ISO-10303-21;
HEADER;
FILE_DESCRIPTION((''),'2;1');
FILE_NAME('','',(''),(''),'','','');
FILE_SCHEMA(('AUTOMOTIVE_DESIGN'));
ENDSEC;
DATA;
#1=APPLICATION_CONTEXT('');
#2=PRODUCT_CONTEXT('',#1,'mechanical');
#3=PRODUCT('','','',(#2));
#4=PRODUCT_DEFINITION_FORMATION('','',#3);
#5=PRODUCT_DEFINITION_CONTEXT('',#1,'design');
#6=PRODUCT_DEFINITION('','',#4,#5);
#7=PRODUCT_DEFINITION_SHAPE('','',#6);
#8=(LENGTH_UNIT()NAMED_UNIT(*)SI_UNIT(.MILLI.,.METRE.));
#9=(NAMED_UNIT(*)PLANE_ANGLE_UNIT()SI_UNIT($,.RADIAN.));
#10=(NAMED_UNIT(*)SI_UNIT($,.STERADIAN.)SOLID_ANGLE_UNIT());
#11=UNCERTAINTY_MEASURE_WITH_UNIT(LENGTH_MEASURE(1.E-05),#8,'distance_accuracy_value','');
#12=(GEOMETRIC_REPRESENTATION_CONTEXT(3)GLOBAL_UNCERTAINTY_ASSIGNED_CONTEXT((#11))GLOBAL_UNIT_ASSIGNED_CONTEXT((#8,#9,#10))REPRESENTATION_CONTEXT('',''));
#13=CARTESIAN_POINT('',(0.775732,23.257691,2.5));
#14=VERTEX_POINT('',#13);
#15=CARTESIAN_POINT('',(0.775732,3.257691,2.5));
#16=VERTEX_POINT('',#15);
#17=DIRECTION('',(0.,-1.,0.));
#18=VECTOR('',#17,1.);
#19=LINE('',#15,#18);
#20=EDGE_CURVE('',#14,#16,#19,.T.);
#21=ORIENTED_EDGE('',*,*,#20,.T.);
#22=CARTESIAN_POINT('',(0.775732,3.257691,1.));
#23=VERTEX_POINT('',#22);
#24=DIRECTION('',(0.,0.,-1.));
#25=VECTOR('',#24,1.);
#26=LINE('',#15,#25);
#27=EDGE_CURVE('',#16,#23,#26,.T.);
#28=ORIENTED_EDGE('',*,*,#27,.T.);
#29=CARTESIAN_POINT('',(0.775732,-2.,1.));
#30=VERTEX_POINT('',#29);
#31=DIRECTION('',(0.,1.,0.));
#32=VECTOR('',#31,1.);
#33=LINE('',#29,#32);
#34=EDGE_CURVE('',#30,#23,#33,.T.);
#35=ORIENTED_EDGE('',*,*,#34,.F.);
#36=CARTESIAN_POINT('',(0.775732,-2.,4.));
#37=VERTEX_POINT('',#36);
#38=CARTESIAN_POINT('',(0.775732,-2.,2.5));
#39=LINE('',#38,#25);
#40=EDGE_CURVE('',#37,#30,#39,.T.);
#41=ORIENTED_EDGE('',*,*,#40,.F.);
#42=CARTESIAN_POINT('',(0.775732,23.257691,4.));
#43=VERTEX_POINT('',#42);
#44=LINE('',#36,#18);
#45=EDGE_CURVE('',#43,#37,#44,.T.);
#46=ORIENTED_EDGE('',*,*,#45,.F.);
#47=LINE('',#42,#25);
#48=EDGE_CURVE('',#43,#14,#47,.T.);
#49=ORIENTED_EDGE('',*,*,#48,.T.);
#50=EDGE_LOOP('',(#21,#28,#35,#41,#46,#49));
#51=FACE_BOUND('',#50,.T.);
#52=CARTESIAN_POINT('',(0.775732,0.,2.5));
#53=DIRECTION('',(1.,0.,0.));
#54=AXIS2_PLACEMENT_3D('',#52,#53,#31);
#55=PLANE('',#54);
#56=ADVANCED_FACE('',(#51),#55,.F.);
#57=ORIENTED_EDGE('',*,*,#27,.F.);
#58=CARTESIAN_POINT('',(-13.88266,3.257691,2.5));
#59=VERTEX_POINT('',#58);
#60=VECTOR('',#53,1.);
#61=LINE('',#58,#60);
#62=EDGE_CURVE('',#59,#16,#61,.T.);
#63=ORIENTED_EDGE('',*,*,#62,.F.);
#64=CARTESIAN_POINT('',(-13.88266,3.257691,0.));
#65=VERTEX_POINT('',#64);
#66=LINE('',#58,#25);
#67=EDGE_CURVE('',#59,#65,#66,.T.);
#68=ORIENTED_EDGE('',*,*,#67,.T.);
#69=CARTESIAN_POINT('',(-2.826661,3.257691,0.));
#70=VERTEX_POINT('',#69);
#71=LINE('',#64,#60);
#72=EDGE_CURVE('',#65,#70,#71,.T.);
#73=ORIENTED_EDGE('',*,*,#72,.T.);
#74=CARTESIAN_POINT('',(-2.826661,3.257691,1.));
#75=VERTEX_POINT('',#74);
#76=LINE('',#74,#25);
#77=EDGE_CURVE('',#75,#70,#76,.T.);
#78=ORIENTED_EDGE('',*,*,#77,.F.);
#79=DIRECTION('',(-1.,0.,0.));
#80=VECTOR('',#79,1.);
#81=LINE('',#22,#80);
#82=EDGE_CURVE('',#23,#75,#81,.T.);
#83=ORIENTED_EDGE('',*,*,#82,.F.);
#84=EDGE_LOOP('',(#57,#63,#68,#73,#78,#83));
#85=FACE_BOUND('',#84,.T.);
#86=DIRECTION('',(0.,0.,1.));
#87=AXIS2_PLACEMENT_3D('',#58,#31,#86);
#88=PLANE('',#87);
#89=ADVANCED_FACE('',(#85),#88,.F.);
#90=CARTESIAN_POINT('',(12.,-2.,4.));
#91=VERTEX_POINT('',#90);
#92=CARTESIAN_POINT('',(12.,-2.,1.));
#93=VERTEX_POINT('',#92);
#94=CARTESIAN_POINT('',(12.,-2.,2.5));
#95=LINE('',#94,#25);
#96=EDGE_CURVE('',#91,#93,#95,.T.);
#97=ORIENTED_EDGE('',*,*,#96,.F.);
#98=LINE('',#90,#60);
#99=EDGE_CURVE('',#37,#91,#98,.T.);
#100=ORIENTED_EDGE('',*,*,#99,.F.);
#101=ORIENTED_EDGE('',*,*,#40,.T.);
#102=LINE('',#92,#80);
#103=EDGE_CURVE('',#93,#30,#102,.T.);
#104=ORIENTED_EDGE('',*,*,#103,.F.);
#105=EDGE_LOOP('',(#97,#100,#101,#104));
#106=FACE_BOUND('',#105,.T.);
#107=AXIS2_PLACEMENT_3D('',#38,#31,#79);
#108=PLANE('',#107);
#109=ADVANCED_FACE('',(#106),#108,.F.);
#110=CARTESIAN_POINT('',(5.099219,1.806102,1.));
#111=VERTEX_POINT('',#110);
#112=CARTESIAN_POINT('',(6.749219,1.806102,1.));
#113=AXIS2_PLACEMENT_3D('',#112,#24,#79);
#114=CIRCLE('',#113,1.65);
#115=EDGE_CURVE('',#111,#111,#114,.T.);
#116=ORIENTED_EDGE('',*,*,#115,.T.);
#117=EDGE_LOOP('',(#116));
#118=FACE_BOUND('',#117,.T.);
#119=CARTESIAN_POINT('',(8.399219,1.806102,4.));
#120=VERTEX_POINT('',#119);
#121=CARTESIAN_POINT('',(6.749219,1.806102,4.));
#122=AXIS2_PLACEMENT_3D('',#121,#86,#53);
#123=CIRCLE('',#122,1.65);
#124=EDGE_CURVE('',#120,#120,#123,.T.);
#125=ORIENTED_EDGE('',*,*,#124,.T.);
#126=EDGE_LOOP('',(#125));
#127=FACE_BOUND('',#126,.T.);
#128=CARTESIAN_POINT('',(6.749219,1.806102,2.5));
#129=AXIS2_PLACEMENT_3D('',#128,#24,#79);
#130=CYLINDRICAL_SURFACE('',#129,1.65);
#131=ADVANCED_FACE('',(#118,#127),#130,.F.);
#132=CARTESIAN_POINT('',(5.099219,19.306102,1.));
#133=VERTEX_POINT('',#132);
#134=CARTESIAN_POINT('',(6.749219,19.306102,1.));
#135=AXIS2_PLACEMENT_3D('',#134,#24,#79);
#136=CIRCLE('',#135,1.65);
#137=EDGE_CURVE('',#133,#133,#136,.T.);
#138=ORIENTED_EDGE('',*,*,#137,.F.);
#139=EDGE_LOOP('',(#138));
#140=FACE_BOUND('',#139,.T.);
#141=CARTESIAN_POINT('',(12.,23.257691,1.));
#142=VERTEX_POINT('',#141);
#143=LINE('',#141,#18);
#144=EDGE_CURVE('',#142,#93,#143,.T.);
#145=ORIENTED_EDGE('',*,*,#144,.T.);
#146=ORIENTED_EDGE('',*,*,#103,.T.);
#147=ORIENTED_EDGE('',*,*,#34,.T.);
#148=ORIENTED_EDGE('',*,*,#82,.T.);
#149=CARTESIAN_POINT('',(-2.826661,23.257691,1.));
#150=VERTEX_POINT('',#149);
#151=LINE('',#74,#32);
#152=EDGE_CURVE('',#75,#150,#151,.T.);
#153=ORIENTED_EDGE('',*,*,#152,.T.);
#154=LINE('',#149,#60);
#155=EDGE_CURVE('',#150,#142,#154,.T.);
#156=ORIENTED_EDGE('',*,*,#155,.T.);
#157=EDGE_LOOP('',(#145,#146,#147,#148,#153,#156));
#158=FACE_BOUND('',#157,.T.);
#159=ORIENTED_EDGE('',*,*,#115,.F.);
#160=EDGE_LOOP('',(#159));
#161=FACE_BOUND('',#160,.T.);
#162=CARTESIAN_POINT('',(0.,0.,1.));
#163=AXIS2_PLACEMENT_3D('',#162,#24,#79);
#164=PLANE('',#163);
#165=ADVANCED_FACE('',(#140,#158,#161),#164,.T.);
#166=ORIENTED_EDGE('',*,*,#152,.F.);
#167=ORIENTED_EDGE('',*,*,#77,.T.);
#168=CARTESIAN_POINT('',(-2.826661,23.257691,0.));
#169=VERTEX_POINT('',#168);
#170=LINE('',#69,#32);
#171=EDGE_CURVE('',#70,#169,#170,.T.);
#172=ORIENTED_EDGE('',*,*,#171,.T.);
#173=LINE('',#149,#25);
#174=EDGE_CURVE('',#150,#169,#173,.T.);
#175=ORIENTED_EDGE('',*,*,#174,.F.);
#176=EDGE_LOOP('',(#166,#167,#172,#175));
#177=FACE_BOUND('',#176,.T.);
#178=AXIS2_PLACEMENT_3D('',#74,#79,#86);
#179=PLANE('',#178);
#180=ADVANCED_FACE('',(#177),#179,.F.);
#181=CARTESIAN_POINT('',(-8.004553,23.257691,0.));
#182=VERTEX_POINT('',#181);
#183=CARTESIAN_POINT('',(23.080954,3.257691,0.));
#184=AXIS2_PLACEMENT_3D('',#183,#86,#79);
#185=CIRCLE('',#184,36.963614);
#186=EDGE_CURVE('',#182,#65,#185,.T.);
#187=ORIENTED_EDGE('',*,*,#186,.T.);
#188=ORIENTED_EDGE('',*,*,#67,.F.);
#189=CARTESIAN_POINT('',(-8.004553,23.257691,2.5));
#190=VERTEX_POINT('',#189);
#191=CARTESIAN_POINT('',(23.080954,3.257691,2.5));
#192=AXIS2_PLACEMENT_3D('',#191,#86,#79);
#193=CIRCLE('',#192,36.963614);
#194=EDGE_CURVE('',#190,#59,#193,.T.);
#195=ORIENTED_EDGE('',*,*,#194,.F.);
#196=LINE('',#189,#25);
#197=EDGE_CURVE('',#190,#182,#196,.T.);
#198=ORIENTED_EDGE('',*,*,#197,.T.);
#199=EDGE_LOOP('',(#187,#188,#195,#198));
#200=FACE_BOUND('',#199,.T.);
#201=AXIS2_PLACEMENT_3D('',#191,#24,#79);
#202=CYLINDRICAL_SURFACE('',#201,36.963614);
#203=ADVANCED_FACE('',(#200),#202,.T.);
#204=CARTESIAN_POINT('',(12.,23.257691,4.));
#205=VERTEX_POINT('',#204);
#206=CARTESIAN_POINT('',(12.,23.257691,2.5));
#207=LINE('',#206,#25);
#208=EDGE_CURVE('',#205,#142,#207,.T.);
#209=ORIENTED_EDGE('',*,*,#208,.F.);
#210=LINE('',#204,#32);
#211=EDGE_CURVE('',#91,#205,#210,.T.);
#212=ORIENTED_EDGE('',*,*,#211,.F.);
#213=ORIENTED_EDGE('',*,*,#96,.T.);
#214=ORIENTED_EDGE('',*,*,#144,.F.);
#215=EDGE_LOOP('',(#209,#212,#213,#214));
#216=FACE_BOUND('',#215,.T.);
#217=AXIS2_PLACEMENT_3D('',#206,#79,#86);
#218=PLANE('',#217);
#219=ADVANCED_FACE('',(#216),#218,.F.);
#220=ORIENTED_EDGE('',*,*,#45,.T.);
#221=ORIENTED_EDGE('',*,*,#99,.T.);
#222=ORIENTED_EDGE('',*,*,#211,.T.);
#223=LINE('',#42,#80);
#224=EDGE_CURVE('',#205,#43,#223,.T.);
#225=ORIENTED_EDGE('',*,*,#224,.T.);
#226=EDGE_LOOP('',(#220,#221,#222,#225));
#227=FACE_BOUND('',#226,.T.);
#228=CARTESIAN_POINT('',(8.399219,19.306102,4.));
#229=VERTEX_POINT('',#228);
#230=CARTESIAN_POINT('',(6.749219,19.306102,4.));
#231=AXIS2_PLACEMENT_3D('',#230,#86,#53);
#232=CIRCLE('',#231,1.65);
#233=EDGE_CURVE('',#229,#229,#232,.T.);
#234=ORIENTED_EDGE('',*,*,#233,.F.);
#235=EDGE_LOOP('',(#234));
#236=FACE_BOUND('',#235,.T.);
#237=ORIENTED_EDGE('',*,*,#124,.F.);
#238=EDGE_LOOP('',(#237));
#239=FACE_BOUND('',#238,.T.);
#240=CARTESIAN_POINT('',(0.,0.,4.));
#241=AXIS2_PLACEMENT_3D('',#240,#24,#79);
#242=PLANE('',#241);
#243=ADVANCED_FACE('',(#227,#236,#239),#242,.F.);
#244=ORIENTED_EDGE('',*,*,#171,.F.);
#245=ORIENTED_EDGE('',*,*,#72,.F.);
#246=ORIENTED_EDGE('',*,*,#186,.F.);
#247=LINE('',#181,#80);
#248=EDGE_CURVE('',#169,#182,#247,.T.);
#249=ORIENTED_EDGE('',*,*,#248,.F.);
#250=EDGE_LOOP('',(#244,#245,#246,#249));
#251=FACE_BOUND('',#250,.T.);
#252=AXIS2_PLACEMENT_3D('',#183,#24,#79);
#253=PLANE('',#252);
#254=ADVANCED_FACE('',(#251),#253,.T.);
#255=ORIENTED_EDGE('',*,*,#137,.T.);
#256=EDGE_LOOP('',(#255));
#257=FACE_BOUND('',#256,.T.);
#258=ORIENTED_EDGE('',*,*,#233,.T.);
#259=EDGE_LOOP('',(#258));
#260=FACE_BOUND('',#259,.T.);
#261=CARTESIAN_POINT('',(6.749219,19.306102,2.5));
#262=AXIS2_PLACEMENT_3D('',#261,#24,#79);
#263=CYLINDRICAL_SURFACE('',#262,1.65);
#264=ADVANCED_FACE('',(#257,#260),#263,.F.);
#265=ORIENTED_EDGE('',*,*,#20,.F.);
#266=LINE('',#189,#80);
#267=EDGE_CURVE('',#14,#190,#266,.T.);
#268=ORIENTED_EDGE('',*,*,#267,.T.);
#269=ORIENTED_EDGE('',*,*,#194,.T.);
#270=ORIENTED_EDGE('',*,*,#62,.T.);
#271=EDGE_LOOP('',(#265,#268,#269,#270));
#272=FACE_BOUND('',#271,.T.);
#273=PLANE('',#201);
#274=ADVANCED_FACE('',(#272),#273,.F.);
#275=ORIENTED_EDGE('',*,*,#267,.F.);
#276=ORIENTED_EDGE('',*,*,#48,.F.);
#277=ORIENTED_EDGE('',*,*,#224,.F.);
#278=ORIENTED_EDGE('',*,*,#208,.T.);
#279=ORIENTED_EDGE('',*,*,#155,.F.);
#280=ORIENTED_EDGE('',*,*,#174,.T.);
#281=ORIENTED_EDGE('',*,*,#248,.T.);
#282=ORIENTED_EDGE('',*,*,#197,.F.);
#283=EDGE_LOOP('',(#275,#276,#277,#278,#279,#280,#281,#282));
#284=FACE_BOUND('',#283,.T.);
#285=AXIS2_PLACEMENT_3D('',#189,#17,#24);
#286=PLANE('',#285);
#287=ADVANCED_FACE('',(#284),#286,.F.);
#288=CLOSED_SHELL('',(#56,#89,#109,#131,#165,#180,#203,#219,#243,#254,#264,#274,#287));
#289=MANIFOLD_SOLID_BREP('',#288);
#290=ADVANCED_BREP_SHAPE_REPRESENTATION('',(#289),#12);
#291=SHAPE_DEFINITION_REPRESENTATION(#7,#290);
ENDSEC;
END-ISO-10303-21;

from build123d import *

# Parameters (mm, degrees)
SKETCH1_R           = 1.65
BOSS_EXTRUDE1_DEPTH = 2.5
SKETCH5_R           = 1.65
BOSS_EXTRUDE2_DEPTH = 1.5
CUT_EXTRUDE3_DEPTH  = 1


with BuildPart() as part:
    # Sketch1 → Boss-Extrude1 (new body)
    with BuildSketch(Plane.XY):
        with BuildLine():
            Line((-8.004553297, 23.25769142), (12, 23.25769142))
            Line((12, 23.25769142), (12, 0))
            Line((12, 0), (12, -2))
            Line((12, -2), (0.775731814, -2))
            Line((0.775731814, -2), (0.775731814, 0))
            Line((0.775731814, 0), (0.775731814, 3.25769142))
            Line((0.775731814, 3.25769142), (-13.882660061, 3.25769142))
            ThreePointArc((-13.882660061, 3.25769142), (-12.382699641, 13.680648524), (-8.004553297, 23.25769142))
        make_face()
        with Locations((6.74921921, 19.306101501)):
            Circle(SKETCH1_R, mode=Mode.SUBTRACT)
        with Locations((6.74921921, 1.806101501)):
            Circle(SKETCH1_R, mode=Mode.SUBTRACT)
    extrude(amount=BOSS_EXTRUDE1_DEPTH)

    # Sketch5 → Boss-Extrude2 (add)
    with BuildSketch(Plane.XY.offset(2.5)):
        Polygon((0.775731814, 3.25769142), (0.775731814, 23.25769142), (12, 23.25769142), (12, -2), (0.775731814, -2), align=None)
        with Locations((6.74921921, 19.306101501)):
            Circle(SKETCH5_R, mode=Mode.SUBTRACT)
        with Locations((6.74921921, 1.806101501)):
            Circle(SKETCH5_R, mode=Mode.SUBTRACT)
    extrude(amount=BOSS_EXTRUDE2_DEPTH)

    # Sketch6 → Cut-Extrude3 (cut)
    with BuildSketch(Plane(origin=(0, 0, 0), x_dir=(-1, 0, 0), z_dir=(0, 0, -1))):
        Polygon((-12, 23.25769142), (-12, -2), (-0.775731814, -2), (-0.775731814, 3.25769142), (2.826661011, 3.25769142), (2.826661011, 23.25769142), align=None)
    extrude(amount=-CUT_EXTRUDE3_DEPTH, mode=Mode.SUBTRACT)


solid = part.part
